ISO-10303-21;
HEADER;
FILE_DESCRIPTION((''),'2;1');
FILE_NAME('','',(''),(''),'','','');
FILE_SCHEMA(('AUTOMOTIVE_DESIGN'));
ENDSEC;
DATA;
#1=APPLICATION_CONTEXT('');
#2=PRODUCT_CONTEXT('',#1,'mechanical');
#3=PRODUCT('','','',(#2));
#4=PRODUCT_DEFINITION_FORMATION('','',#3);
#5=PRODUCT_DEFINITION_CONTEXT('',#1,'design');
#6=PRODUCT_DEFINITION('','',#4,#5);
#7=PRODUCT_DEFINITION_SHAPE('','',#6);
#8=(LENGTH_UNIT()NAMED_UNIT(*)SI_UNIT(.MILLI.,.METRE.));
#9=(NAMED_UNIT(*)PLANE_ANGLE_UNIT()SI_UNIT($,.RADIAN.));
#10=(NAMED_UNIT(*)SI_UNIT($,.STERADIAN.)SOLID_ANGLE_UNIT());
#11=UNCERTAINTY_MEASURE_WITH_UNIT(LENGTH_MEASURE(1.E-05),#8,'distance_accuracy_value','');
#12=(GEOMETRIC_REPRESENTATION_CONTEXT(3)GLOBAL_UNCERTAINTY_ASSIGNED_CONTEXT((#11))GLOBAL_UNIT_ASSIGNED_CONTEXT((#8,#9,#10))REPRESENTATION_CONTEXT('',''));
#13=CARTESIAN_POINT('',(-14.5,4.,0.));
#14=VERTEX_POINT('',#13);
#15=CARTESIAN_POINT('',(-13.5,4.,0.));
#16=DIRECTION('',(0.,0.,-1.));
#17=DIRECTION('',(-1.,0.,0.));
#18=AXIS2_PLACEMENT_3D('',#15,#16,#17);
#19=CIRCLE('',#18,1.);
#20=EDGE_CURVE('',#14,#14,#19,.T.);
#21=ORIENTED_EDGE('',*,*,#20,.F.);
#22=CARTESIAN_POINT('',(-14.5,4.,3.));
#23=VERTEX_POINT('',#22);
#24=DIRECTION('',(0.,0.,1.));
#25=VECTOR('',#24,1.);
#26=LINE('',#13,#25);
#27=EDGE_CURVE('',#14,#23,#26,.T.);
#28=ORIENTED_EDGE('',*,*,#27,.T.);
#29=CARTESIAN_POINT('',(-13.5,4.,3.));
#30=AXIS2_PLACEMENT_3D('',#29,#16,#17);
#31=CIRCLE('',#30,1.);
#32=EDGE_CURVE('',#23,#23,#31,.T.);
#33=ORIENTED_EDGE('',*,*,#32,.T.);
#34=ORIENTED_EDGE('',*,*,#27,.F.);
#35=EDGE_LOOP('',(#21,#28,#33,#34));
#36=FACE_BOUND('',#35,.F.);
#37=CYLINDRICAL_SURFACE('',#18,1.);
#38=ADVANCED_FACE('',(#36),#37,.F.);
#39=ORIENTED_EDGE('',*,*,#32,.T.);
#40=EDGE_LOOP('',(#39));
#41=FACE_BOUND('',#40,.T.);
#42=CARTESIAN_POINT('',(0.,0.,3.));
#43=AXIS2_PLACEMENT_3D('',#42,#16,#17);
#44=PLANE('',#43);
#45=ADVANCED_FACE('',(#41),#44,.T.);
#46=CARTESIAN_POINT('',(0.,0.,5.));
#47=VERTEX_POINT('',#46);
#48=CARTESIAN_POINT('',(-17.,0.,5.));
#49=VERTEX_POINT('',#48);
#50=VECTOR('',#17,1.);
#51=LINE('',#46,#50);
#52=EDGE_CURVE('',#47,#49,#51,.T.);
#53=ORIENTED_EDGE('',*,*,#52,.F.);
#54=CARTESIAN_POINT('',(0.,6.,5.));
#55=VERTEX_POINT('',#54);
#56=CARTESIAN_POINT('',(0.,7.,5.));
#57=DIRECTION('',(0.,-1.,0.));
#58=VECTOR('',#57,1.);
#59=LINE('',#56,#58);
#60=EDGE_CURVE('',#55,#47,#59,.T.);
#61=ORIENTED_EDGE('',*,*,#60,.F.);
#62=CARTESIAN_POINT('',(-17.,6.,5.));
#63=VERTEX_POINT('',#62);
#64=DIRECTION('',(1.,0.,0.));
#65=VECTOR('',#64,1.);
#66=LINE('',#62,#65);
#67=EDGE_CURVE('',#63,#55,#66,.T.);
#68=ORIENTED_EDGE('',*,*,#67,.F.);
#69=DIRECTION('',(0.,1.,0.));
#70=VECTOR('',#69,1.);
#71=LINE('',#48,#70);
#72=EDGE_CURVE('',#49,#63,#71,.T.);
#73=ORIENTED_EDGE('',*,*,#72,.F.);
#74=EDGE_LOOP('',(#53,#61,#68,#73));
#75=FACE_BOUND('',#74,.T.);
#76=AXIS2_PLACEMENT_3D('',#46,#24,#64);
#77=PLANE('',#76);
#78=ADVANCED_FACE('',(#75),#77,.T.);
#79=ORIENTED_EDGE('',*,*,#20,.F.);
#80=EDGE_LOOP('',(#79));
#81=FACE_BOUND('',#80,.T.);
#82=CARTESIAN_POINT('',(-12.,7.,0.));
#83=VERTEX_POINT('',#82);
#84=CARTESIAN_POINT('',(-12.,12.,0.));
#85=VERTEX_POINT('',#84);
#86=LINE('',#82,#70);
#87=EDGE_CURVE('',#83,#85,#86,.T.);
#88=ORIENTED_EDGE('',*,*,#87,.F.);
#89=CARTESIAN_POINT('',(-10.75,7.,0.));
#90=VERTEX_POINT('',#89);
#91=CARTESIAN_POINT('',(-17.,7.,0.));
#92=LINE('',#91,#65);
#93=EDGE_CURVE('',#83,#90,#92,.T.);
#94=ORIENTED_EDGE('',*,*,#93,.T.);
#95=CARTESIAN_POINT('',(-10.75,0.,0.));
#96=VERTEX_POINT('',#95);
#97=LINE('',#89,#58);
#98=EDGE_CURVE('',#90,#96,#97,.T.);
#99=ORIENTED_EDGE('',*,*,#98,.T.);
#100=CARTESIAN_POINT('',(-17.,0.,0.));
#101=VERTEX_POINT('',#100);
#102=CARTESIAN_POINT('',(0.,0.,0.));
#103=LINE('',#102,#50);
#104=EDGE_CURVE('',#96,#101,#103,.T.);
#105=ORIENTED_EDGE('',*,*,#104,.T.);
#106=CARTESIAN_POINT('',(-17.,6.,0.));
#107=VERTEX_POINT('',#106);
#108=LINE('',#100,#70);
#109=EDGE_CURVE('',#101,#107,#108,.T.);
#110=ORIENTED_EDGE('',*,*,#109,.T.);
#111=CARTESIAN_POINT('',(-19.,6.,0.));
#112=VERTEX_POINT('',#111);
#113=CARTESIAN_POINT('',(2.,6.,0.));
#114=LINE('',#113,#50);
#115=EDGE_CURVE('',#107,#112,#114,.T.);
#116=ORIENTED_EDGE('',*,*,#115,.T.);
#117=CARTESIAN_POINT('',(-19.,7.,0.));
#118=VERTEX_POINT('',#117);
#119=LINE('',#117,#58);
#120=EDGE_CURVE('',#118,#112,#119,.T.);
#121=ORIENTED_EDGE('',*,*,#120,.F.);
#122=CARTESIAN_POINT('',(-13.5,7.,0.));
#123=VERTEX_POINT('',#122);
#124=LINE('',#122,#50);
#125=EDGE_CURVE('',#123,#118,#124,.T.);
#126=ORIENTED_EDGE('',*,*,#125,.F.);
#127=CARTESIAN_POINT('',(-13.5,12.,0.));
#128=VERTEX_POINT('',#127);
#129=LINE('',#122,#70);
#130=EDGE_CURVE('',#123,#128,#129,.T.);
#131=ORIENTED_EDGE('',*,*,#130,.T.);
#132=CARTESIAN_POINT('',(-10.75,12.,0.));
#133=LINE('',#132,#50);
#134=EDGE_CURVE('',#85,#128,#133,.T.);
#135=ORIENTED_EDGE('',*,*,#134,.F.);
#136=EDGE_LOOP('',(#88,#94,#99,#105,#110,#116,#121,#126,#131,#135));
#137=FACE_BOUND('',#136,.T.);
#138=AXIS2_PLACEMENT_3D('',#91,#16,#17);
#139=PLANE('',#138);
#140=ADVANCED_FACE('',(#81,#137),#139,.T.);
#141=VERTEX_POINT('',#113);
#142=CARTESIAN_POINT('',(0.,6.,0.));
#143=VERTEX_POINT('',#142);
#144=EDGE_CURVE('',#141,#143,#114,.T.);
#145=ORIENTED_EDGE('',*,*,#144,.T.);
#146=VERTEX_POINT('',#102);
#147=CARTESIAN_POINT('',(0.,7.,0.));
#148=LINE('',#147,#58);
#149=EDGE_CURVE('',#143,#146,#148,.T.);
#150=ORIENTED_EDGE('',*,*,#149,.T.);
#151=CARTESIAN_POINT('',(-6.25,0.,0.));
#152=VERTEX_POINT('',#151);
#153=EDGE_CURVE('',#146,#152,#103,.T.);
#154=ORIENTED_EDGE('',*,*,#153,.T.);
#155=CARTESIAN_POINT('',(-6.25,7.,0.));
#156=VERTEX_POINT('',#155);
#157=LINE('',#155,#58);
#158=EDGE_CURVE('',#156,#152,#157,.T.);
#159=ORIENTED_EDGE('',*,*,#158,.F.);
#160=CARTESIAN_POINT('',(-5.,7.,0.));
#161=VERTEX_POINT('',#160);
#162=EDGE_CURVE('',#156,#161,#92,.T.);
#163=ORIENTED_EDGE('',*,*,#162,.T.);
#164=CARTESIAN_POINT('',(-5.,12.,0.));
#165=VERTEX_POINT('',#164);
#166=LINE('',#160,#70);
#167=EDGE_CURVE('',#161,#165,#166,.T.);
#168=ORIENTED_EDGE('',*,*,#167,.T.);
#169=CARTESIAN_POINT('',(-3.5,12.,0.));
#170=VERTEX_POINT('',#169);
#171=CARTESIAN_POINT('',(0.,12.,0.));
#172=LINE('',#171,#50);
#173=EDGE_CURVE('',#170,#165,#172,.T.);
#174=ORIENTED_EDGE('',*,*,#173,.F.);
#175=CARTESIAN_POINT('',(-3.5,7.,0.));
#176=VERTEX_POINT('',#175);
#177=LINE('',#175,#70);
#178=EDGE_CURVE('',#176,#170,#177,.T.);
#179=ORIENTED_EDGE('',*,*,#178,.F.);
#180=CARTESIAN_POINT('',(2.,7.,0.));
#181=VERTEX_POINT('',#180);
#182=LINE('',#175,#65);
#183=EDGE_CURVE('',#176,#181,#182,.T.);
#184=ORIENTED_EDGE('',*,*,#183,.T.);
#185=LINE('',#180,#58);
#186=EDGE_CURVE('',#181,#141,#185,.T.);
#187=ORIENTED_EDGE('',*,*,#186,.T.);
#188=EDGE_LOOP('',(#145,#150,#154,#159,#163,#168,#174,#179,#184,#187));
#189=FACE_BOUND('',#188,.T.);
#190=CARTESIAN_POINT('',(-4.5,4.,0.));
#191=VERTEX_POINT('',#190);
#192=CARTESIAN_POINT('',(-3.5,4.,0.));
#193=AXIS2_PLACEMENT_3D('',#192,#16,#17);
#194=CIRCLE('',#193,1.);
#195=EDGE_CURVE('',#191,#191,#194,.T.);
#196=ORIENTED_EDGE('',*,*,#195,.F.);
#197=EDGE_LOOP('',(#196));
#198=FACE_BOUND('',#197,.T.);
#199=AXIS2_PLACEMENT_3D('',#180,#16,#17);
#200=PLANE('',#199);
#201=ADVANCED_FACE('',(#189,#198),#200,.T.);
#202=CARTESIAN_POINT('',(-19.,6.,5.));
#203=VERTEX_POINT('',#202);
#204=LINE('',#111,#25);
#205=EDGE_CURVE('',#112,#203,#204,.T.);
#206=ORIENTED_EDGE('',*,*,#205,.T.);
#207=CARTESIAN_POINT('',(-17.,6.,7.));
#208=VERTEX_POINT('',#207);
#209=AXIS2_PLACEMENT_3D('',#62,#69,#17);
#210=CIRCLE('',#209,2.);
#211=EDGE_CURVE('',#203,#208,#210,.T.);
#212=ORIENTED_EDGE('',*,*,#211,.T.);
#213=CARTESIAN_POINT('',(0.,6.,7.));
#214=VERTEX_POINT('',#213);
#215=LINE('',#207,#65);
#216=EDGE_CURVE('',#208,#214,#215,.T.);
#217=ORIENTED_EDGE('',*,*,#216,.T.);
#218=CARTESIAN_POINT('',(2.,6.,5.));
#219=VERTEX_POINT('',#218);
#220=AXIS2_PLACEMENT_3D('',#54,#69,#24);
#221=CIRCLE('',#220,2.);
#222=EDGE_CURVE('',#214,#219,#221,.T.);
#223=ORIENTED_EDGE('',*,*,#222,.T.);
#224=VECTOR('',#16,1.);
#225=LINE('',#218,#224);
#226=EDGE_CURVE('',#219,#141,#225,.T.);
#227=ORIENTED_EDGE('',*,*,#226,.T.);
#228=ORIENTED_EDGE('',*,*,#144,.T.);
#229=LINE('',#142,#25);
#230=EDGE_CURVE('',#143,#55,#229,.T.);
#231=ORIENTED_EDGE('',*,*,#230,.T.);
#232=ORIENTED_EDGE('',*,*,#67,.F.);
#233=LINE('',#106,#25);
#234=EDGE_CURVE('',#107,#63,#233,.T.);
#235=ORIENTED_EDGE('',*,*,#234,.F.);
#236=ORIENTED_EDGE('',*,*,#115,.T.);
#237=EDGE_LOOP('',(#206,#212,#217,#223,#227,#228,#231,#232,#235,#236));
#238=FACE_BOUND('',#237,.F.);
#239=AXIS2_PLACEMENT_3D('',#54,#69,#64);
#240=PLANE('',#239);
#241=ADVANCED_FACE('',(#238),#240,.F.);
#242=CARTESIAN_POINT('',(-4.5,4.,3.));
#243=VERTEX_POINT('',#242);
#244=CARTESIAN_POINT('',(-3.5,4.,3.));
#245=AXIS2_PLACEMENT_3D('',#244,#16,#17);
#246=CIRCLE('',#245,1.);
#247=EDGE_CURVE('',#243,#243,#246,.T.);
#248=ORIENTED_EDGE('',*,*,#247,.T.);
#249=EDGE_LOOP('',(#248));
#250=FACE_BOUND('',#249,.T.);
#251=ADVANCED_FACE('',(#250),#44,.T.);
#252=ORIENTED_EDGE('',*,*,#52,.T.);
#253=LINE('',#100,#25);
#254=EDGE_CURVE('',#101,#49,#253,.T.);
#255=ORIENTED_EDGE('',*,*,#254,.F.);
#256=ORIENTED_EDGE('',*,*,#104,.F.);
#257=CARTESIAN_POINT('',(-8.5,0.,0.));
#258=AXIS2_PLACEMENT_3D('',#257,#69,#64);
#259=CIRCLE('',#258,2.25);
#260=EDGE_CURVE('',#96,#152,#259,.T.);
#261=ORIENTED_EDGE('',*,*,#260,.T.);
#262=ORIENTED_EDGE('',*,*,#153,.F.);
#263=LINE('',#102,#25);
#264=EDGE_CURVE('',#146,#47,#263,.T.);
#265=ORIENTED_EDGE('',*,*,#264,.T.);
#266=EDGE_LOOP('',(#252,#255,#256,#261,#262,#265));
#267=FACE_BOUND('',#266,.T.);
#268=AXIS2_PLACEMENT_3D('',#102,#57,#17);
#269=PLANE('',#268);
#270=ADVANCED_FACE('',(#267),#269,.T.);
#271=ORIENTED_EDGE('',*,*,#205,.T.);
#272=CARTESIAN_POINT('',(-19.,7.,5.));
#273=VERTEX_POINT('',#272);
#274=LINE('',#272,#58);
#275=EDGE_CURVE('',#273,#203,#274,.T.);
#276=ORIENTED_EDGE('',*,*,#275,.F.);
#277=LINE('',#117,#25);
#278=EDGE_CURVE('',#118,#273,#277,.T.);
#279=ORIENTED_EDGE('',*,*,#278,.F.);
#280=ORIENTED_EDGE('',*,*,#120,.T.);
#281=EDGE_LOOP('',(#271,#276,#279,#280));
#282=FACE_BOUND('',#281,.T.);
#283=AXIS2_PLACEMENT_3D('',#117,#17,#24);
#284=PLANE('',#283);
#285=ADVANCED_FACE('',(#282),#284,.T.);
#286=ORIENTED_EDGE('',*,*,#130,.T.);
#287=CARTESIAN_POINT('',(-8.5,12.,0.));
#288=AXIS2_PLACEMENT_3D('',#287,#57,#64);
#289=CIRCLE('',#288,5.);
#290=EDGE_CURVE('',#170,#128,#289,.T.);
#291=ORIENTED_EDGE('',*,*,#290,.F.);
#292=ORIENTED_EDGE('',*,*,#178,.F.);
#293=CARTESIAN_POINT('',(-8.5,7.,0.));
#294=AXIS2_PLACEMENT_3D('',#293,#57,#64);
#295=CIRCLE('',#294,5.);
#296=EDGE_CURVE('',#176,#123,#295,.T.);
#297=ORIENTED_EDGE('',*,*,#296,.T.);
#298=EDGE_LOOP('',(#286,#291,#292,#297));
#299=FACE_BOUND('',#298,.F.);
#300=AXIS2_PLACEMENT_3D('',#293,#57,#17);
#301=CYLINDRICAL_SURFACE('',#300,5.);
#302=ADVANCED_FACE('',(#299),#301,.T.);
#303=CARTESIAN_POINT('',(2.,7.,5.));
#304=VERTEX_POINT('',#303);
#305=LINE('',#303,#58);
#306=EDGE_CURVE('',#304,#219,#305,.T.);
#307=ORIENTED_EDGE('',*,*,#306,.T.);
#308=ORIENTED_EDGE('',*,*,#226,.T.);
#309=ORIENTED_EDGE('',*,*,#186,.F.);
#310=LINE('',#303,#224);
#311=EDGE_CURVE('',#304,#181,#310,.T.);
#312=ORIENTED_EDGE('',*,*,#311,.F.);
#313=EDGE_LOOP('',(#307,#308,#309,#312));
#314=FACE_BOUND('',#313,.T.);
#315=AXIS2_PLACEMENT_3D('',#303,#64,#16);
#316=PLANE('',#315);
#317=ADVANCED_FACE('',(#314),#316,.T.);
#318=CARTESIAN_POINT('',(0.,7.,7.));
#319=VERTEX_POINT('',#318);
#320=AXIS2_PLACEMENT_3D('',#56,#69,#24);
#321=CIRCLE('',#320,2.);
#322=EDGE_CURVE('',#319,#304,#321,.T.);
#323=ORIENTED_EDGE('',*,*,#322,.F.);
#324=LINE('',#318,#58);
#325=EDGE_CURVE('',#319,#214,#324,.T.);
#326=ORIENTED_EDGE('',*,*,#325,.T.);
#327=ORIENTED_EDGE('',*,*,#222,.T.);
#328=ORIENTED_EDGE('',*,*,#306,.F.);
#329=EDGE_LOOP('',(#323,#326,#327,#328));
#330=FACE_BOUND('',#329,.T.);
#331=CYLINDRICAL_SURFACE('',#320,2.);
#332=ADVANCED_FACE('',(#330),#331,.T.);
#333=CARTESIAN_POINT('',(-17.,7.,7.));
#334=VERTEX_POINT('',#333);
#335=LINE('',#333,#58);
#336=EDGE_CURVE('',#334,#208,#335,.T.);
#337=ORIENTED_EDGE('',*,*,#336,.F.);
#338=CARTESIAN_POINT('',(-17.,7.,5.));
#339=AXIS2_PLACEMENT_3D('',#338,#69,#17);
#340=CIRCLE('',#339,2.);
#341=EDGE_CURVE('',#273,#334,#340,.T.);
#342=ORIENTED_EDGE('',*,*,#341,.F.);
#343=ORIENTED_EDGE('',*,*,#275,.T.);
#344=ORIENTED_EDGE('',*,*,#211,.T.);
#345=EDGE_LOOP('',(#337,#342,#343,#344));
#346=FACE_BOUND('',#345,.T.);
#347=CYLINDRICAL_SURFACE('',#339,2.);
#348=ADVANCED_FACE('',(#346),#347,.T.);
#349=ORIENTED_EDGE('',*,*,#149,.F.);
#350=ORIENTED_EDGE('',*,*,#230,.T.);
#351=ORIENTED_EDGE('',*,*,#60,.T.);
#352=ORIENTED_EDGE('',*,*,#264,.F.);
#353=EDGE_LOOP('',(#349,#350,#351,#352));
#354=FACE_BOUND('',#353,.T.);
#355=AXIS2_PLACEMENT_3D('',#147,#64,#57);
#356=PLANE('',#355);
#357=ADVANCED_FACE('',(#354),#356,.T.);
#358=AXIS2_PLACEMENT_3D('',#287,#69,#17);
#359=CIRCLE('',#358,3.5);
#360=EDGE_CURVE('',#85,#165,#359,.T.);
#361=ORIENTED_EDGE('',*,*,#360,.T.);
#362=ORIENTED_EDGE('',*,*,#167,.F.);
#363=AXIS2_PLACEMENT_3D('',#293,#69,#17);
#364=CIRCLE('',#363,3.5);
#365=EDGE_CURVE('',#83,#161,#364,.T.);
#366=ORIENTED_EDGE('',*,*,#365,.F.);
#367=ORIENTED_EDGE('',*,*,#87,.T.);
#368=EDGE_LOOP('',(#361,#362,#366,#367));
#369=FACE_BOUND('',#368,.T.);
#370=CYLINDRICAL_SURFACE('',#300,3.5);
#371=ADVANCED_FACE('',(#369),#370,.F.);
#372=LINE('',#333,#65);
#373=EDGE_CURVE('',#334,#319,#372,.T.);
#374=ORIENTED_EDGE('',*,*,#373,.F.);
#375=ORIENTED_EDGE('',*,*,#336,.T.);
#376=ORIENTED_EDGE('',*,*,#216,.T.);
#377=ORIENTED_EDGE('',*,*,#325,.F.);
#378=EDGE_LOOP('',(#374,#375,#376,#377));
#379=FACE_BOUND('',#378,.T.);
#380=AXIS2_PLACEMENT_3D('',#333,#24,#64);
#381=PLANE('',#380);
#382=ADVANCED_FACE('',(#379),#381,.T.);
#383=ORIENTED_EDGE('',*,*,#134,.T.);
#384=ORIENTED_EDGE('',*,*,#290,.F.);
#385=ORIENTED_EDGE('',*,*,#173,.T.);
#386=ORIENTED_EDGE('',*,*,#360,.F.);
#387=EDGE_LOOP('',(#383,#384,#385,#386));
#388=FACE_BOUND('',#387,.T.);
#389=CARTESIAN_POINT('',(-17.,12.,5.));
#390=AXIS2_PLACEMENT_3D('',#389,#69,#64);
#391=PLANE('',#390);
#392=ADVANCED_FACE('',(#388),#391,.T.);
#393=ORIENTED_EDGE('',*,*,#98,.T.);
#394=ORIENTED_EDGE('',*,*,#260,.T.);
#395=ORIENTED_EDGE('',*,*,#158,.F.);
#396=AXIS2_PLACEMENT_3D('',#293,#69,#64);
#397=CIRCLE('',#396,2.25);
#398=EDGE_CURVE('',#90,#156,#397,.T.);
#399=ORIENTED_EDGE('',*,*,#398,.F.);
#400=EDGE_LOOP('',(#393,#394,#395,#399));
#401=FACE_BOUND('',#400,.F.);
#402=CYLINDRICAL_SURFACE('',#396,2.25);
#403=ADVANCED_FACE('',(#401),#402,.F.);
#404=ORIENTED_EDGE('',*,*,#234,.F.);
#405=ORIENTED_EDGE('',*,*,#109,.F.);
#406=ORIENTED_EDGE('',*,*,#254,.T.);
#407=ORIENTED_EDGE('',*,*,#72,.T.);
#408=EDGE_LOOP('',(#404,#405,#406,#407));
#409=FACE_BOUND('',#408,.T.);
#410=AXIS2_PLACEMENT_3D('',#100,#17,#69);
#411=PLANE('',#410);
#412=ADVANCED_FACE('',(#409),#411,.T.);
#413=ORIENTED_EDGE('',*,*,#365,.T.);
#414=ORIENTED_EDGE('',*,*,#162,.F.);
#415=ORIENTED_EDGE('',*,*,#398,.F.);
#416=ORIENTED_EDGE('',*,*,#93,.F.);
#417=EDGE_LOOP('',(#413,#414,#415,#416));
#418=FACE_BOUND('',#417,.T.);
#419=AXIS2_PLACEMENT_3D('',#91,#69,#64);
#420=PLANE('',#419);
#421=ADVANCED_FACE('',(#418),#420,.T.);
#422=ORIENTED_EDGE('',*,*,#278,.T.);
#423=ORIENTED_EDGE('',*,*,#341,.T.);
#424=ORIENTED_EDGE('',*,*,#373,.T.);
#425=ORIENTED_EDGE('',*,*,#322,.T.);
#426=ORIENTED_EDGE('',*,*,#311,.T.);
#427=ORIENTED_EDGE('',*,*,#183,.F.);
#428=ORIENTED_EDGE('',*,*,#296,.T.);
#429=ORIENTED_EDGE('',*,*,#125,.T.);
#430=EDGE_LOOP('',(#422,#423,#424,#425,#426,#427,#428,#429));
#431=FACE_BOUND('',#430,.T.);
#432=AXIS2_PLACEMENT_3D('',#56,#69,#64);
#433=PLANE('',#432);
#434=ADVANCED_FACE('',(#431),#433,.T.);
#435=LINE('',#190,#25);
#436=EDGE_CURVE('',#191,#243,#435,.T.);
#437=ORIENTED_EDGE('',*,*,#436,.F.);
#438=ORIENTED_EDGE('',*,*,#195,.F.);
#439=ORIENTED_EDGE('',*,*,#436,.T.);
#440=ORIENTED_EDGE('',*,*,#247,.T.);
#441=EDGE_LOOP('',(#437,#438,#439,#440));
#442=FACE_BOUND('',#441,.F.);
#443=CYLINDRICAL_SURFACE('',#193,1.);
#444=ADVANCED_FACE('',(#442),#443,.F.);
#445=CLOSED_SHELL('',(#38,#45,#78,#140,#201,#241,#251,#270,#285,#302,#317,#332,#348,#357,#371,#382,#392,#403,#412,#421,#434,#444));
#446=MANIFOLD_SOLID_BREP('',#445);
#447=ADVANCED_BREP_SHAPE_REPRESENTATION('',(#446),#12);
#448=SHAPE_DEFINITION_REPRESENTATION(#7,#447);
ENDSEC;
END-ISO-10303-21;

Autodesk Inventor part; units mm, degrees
ref_plane "YZ Plane" through (0, 0, 0) normal (1, 0, 0) x (0, 1, 0)
ref_plane "XZ Plane" through (0, 0, 0) normal (0, 1, 0) x (-1, 0, 0)
ref_plane "XY Plane" through (0, 0, 0) normal (0, 0, 1) x (1, 0, 0)
sketch "Эскиз1" plane through (0, 0, 0) normal (0, 0, 1) x (1, 0, 0)
  line L0 (0, 0) -> (-17, 0)
  line L1 (-17, 0) -> (-17, 7)
  line L2 (-17, 7) -> (0, 7)
  line L3 (0, 7) -> (0, 0)
  dimension "d0" = 17
  dimension "d1" = 7
extrude "Выдавливание1" add sketch "Эскиз1" along normal blind 5
sketch "Эскиз2" plane through (-17, 7, 0) normal (0, 1, 0) x (1, 0, 0)
  line L0 (17, 0) -> (0, 0) projected
  line L1 (0, 0) -> (0, -5) projected
  line L2 (17, -5) -> (0, -5) projected
  line L3 (17, 0) -> (17, -5) projected
  line L4 (17, 0) -> (0, 0) projected
  circle A0 centre (8.5, 0) radius 2.25
  point P0 (6.25, 0)
  point P1 (10.75, 0)
  dimension "d4" = 8.5
  dimension "d5" = 4.5
extrude "Выдавливание2" cut sketch "Эскиз2" against normal blind 100 contours A0 L0 picked at (8.074, -0.9762)
sketch "Эскиз3" plane through (-17, 7, 5) normal (0, 1, 0) x (1, 0, 0)
  arc A0 (6.25, 5) -> (10.75, 5) centre (8.5, 5) ccw projected
  arc A1 (5, 5) -> (12, 5) centre (8.5, 5) ccw
  arc A2 (3.5, 5) -> (13.5, 5) centre (8.5, 5) ccw
  line L0 (17, 0) -> (0, 0) projected
  line L1 (6.25, 5) -> (0, 5) projected
  line L2 (17, 5) -> (10.75, 5) projected
  dimension "d8" = 7
extrude "Выдавливание3" add sketch "Эскиз3" along normal blind 5 contours A1 L2 A2 L1
sketch "Эскиз5" plane through (0, 7, 5) normal (0, 1, 0) x (1, 0, 0)
  line L0 (2, 5) -> (-19, 5)
  line L1 (-19, 5) -> (-19, 0)
  line L2 (-17, -2) -> (0, -2)
  line L3 (2, 0) -> (2, 5)
  line L4 (-17, 5) -> (-17, 0) projected
  line L5 (0, 5) -> (0, 0) projected
  line L6 (0, 0) -> (-8.5, 0) projected
  arc A0 (-19, 0) -> (-17, -2) centre (-17, 0) ccw
  arc A1 (0, -2) -> (2, 0) centre (0, 0) ccw
  arc A2 (-13.5, 5) -> (-8.5, 0) centre (-8.5, 5) ccw projected
  line L7 (-13.5, 5) -> (-17, 5) projected
  line L8 (-17, 5) -> (-17, 0) projected
  line L9 (-8.5, 0) -> (-17, 0) projected
  arc A3 (-8.5, 0) -> (-3.5, 5) centre (-8.5, 5) ccw projected
  line L10 (0, 0) -> (-8.5, 0) projected
  line L11 (0, 5) -> (0, 0) projected
  line L12 (0, 5) -> (-3.5, 5) projected
  dimension "d11" = 2
  dimension "d12" = 2
  dimension "d13" = 2
  dimension "d14" = 2
extrude "Выдавливание4" add sketch "Эскиз5" against normal blind 1 contours L3 A1 L2 A0 L1 L0 L4 L9 L6 L5
sketch "Эскиз6" plane through (0, 0, 0) normal (0, 0, -1) x (-1, 0, 0)
  circle A0 centre (3.5, 4) radius 1
  circle A1 centre (13.5, 4) radius 1
  line L0 (8.5, 7.7891) -> (8.5, -0.9569)
  line L1 (6.25, 0) -> (0, 0) projected
  dimension "d17" = 2
  dimension "d18" = 2
  dimension "d19" = 10
  dimension "d20" = 5
  dimension "d21" = 4
extrude "Выдавливание5" cut sketch "Эскиз6" against normal blind 3
properties part number "держатель проводной"
